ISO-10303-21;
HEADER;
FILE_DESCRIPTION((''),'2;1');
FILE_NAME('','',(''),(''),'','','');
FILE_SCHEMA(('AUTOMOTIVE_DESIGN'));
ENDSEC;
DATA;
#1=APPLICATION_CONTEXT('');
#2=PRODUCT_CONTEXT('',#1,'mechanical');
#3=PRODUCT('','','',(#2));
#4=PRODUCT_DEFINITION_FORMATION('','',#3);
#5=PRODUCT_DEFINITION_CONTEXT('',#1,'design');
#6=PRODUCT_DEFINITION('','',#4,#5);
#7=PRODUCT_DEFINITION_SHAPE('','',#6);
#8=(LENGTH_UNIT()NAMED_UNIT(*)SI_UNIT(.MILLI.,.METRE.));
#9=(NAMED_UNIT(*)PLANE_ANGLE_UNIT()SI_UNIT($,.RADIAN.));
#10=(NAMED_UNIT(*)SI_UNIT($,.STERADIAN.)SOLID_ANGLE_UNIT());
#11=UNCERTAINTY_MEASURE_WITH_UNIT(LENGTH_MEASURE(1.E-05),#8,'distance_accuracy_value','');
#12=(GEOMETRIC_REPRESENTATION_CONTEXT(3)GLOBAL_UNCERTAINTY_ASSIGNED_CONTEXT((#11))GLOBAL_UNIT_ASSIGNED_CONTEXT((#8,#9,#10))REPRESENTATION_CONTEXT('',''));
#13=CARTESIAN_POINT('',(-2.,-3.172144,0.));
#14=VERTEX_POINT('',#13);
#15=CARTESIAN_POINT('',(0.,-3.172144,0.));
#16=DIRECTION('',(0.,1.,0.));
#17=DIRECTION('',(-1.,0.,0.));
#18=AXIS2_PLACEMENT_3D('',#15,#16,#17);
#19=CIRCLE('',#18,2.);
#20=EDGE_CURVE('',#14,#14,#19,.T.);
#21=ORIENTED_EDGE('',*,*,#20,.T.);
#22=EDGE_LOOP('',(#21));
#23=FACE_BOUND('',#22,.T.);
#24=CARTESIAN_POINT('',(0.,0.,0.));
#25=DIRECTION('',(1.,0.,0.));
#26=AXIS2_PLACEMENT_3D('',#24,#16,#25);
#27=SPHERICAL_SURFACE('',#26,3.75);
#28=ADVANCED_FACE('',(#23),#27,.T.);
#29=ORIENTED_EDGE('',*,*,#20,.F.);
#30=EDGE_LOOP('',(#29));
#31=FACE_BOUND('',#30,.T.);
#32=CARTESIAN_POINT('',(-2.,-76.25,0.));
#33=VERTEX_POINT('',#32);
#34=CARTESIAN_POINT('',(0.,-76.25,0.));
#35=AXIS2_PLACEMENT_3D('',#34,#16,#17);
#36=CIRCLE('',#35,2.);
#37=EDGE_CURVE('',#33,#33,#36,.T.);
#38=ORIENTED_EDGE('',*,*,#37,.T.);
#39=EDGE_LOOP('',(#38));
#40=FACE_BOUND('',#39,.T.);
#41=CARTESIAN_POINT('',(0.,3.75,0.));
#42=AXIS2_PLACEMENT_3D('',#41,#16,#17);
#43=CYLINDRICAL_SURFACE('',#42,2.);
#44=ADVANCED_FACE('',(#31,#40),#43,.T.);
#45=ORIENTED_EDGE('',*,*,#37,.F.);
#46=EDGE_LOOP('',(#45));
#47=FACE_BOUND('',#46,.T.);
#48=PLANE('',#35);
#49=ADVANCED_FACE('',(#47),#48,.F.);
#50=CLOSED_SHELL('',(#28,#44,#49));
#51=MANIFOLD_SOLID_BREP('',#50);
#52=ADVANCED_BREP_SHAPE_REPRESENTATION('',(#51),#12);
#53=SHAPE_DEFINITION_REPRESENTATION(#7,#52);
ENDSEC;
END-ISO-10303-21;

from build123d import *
from build123d.topology import SkipClean


with BuildPart() as part:
    # Sketch1 → Revolve1 (revolve)
    with SkipClean():  # the faces are left unmerged after this step: merging them gives an invalid solid
        with BuildSketch(Plane.XY):
            with BuildLine():
                ThreePointArc((3.75, 0), (2.651650429, 2.651650429), (0, 3.75))
                Line((0, 3.75), (0, -3.75))
                ThreePointArc((0, -3.75), (2.651650429, -2.651650429), (3.75, 0))
            make_face()
            with BuildLine():
                Line((0, -3.75), (0, 3.75))
                ThreePointArc((0, 3.75), (-3.602640798, 1.040903107), (-2, -3.172144385))
                ThreePointArc((-2, -3.172144385), (-1.040903107, -3.602640798), (0, -3.75))
            make_face()
            with BuildLine():
                Line((0, -76.25), (0, -3.75))
                ThreePointArc((0, -3.75), (-1.040903107, -3.602640798), (-2, -3.172144385))
                Line((-2, -3.172144385), (-2, -76.25))
                Line((-2, -76.25), (0, -76.25))
            make_face()
        revolve(axis=Axis((0, 3.75, 0), (0, -1, 0)))


solid = part.part
